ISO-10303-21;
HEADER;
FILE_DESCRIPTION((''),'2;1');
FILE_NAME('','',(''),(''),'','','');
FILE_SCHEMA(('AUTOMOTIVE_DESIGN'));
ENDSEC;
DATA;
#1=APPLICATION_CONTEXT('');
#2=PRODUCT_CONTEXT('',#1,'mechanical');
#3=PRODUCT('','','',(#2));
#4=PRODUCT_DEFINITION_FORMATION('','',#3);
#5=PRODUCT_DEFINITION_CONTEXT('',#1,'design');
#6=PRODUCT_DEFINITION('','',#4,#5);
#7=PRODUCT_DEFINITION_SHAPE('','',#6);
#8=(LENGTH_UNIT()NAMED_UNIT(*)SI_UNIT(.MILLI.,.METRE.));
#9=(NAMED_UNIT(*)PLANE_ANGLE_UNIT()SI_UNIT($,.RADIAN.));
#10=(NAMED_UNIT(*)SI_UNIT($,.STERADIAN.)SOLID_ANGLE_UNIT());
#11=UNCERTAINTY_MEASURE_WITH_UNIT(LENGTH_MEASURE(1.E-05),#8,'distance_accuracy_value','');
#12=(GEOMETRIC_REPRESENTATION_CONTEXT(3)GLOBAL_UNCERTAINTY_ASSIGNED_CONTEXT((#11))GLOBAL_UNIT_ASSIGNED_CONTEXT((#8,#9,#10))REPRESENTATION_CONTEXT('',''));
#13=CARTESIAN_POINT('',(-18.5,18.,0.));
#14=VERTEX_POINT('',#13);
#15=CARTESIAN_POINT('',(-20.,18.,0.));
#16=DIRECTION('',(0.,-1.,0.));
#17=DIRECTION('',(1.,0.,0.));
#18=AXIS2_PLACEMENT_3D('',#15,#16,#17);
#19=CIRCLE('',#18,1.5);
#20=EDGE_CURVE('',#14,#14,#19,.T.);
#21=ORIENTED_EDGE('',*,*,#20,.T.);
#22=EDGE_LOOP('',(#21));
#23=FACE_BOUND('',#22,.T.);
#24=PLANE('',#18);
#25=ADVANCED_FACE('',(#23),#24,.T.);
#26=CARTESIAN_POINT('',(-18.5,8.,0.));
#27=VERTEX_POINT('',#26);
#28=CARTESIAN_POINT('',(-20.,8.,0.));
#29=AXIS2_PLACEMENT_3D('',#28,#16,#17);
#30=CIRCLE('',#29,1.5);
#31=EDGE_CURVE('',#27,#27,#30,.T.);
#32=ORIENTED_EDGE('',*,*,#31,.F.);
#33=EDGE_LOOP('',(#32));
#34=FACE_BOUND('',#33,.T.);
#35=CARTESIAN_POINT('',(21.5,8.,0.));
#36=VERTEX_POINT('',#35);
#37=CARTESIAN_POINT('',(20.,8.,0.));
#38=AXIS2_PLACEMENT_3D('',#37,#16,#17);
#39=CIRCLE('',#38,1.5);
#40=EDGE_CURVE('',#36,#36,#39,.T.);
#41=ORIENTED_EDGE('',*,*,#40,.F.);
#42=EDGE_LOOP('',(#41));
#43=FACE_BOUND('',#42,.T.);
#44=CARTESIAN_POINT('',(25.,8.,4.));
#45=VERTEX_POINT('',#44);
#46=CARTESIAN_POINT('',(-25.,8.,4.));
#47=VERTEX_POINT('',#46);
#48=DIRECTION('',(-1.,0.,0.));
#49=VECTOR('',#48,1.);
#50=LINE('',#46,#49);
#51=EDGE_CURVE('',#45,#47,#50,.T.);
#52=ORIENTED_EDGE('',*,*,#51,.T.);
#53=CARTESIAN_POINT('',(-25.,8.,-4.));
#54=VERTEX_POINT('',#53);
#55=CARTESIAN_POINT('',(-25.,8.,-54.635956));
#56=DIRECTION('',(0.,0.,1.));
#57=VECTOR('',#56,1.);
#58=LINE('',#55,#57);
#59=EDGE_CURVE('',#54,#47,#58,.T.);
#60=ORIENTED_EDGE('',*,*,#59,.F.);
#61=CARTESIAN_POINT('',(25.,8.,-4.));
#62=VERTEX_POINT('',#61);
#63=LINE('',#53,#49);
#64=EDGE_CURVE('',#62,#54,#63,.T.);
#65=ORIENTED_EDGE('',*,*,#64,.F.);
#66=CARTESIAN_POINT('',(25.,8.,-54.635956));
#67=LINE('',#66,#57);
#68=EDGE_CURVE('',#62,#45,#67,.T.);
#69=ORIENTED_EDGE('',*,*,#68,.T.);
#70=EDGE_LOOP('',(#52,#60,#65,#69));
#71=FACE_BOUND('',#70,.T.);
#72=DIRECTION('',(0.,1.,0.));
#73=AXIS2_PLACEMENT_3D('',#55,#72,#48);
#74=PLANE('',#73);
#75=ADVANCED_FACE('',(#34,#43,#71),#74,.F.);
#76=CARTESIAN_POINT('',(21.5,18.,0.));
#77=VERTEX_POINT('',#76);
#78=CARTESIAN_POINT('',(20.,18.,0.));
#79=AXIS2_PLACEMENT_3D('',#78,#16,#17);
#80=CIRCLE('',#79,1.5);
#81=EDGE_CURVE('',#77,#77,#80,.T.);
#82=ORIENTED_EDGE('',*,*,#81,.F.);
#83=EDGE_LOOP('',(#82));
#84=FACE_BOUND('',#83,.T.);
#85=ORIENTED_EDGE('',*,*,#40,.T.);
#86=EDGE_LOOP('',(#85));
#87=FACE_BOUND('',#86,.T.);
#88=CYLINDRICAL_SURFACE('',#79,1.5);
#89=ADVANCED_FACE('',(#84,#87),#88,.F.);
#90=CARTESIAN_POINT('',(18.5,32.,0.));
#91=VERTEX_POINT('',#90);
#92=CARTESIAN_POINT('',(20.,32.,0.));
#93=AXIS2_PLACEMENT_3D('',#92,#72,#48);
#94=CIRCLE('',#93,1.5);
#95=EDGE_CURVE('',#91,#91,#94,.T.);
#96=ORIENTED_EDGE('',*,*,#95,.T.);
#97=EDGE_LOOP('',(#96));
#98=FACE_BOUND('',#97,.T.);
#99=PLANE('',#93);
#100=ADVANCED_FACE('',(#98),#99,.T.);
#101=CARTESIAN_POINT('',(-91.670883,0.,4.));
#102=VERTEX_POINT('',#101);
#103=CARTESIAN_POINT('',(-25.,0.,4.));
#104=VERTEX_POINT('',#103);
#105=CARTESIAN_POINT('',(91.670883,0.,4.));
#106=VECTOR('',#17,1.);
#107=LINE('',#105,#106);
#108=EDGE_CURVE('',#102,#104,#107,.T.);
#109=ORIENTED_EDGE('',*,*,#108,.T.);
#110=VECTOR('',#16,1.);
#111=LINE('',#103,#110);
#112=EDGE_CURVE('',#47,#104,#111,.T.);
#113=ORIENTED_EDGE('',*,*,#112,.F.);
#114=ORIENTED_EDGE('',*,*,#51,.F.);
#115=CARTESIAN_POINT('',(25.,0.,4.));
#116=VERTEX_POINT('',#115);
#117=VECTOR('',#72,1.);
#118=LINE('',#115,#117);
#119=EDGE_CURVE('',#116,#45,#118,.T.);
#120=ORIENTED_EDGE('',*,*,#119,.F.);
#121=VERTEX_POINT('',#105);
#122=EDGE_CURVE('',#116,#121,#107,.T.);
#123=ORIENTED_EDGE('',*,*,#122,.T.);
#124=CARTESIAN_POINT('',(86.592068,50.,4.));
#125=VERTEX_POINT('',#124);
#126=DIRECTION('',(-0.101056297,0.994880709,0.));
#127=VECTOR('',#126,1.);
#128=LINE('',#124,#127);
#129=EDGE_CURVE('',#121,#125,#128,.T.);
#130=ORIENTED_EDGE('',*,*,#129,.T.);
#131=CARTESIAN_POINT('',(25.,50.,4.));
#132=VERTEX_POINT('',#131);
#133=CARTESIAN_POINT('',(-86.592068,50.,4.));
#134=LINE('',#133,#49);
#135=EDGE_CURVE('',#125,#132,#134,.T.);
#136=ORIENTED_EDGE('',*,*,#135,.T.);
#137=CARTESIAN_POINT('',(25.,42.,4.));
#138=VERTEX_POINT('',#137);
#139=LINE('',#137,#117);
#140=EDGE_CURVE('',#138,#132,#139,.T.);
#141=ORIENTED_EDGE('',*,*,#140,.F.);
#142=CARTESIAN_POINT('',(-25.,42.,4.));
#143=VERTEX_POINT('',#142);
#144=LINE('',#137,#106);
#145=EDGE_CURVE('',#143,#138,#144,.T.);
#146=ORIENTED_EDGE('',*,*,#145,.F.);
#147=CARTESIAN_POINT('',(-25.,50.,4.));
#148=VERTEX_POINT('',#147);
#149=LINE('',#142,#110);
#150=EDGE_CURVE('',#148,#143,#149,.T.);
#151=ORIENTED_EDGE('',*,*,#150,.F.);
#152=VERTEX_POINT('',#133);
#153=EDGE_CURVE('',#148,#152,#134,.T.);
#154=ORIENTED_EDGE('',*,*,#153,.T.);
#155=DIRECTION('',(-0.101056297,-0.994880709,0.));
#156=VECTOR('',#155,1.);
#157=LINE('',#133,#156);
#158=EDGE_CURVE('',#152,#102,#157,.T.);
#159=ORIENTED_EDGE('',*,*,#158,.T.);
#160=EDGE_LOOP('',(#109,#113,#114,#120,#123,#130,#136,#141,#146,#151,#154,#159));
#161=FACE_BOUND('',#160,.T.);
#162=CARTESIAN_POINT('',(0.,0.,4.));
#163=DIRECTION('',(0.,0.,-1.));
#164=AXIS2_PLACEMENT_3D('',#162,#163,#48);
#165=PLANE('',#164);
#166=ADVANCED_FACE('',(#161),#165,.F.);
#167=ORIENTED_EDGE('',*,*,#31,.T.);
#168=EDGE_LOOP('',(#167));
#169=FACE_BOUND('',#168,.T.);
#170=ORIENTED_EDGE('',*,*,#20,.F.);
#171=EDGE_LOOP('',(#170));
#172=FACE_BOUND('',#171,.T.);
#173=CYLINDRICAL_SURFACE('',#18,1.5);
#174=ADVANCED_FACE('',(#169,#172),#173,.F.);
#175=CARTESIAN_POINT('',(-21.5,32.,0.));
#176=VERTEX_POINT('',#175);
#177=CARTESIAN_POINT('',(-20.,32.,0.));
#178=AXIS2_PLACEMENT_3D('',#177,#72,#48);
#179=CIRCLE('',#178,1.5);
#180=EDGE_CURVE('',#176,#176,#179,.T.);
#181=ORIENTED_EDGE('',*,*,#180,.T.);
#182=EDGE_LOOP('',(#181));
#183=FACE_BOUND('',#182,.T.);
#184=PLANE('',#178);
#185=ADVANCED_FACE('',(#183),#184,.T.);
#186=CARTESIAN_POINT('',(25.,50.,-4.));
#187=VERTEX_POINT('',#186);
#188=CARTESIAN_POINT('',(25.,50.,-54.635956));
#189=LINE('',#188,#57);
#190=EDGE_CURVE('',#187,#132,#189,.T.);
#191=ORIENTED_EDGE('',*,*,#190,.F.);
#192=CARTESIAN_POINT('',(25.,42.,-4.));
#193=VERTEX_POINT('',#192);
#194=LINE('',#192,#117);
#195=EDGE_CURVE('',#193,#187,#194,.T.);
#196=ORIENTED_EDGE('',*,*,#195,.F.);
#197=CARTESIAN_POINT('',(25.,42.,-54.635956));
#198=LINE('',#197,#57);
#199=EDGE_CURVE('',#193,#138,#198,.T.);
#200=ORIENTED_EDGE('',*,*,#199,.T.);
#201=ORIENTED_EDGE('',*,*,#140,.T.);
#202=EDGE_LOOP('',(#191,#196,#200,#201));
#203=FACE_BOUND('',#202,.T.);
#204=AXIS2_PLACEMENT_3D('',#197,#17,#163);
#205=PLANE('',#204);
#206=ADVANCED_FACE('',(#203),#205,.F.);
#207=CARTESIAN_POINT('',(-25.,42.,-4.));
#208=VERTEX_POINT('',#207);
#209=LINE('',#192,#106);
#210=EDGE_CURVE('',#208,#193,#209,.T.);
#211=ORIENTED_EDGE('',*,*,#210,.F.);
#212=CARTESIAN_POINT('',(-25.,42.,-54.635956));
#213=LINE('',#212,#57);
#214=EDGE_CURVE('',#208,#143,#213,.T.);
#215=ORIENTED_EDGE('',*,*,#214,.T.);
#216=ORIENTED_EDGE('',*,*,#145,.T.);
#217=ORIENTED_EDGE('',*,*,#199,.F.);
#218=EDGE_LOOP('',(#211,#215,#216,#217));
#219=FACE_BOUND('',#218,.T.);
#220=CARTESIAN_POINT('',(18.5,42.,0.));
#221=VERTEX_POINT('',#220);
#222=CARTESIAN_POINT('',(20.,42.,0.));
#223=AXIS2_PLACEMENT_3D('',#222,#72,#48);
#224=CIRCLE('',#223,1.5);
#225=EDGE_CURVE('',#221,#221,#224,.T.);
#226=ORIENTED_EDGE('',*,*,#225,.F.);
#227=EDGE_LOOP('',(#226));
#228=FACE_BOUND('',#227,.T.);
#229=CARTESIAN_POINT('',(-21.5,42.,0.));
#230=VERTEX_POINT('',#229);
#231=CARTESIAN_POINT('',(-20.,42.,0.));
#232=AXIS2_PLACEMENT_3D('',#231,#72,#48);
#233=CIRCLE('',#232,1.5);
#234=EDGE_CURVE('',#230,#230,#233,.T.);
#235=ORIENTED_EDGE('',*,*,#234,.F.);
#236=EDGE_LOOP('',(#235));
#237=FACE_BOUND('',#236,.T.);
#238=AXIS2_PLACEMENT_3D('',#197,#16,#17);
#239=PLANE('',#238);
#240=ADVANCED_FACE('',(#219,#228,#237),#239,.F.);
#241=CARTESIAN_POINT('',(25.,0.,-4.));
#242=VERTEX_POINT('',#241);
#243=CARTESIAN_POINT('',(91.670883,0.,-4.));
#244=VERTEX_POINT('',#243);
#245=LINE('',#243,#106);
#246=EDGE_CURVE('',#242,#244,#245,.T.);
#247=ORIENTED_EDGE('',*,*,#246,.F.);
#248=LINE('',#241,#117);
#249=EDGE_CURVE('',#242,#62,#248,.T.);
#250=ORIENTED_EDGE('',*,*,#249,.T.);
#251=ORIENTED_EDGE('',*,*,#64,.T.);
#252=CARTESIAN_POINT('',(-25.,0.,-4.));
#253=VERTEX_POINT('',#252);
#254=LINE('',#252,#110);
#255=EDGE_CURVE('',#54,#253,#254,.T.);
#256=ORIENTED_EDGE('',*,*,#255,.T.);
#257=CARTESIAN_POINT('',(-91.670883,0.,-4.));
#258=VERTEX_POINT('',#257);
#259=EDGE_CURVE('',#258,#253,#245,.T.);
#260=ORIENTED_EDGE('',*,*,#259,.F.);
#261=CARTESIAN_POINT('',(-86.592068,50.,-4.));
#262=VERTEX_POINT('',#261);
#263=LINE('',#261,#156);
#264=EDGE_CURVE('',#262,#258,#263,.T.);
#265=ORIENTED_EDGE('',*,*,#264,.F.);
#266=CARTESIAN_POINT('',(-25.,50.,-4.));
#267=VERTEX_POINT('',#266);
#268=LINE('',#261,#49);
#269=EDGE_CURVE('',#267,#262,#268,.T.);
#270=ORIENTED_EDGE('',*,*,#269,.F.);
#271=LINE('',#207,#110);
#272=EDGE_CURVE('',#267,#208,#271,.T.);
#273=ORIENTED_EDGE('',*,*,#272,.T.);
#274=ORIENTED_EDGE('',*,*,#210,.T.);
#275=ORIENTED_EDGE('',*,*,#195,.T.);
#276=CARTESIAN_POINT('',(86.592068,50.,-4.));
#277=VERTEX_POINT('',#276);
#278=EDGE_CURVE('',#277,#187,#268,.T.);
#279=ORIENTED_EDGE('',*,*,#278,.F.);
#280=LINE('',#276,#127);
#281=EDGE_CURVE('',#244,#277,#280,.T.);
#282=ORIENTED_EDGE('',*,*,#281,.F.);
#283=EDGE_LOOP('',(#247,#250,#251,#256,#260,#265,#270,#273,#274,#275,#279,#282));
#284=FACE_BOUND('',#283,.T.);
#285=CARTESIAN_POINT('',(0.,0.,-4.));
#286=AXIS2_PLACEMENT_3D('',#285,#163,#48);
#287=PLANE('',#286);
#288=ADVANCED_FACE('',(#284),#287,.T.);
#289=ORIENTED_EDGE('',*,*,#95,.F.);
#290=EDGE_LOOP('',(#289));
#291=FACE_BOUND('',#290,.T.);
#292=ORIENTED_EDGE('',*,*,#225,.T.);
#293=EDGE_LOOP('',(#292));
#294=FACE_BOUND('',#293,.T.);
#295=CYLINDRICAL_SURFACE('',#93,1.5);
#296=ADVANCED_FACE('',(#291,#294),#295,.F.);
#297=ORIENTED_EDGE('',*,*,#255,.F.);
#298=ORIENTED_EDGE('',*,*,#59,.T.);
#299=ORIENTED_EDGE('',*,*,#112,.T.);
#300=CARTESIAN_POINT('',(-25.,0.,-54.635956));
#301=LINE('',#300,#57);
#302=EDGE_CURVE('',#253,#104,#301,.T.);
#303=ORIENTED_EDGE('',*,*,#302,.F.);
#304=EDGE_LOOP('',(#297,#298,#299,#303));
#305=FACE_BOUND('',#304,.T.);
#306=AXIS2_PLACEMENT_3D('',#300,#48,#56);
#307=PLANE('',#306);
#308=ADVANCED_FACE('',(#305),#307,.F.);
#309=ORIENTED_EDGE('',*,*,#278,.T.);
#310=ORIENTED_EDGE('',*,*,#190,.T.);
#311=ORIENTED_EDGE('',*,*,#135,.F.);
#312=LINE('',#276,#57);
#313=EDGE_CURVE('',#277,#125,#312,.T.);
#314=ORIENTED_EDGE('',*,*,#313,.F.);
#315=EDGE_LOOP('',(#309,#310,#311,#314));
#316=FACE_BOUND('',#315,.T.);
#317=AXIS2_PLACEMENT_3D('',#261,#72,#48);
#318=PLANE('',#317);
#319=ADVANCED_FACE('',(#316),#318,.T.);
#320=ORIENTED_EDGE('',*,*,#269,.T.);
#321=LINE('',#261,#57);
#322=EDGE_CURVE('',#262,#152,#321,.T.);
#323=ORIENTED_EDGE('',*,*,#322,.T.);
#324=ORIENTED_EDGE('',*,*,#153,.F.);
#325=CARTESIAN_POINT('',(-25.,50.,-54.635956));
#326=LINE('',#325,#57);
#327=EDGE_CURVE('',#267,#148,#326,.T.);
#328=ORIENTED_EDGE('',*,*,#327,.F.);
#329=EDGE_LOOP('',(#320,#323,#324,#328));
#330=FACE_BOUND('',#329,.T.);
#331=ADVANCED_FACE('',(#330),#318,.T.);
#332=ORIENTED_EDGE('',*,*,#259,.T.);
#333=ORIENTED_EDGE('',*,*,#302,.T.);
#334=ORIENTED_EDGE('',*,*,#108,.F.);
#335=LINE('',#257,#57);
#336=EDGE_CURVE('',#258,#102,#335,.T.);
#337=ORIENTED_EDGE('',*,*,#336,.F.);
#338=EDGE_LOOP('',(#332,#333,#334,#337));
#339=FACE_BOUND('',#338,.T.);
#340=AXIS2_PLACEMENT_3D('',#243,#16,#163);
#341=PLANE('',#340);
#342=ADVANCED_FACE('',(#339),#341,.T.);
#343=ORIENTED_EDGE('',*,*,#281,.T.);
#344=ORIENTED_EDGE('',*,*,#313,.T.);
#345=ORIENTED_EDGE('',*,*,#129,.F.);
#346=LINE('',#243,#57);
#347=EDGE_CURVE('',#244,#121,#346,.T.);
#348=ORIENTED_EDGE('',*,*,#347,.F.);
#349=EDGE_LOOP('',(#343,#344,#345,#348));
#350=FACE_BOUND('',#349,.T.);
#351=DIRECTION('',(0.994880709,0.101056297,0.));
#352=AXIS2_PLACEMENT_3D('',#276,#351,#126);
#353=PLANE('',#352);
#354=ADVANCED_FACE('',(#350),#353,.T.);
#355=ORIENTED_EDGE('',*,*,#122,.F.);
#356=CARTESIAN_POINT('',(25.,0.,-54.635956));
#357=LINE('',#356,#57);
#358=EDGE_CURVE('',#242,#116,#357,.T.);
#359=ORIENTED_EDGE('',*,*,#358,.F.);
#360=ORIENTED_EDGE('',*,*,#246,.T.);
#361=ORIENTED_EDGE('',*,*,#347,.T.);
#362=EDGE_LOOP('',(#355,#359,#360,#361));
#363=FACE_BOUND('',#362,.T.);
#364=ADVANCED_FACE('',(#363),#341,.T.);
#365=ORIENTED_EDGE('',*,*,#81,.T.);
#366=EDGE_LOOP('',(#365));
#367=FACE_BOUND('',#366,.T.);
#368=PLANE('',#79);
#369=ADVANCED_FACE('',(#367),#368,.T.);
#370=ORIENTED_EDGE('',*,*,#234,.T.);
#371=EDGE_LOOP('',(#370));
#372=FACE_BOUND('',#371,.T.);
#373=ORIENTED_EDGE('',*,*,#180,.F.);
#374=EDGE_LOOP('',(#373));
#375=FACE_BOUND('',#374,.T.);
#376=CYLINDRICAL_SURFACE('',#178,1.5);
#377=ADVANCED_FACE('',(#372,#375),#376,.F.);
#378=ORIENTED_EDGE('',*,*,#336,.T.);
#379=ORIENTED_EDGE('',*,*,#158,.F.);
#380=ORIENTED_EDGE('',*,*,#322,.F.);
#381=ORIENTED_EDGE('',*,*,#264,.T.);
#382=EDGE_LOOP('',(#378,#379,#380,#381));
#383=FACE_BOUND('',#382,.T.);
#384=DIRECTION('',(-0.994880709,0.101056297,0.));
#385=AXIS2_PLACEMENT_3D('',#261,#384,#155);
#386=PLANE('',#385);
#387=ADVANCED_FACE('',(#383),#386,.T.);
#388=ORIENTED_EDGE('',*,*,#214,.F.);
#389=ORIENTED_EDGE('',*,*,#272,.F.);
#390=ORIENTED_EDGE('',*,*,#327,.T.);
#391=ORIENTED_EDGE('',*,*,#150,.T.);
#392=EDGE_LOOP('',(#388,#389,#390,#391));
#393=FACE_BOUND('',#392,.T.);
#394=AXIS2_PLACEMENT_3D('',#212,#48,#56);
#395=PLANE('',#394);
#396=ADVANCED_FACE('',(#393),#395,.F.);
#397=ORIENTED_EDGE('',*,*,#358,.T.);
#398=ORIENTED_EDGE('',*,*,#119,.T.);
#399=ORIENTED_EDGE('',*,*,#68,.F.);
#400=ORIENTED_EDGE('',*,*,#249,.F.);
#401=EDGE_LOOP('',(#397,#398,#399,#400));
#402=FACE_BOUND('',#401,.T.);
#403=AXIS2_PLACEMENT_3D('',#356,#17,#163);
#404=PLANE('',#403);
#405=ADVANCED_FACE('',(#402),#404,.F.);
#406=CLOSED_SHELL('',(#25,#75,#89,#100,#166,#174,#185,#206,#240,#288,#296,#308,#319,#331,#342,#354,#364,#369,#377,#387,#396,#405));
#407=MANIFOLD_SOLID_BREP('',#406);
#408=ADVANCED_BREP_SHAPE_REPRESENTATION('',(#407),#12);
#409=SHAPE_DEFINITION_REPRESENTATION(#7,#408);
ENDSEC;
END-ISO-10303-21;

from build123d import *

# Parameters (mm, degrees)
SIDE_BOSS_EXTRUDE1_DEPTH                 = 4
SIDE_BOSS_EXTRUDE1_DEPTH_BACK            = 4
SKETCH3_W                                = 50
SKETCH3_H                                = 8
SOCKET_TOP_AND_BOTTOM_CUT_EXTRUDE1_DEPTH = 8
SKETCH4_R                                = 1.5
MOUNTING_HOLES_TOP_CUT_EXTRUDE2_DEPTH    = 10
MOUNTING_START                           = -10
SKETCH5_R                                = 1.5
MOUNTING_HOLES_BOTTOM_CUT_EXTRUDE3_DEPTH = 10


with BuildPart() as part:
    # Sketch2 → Side Boss-Extrude1 (new, two sides: drawn at the far end of the back side and taken through both)
    with BuildSketch(Plane.XY.offset(-SIDE_BOSS_EXTRUDE1_DEPTH_BACK)):
        Polygon((-86.592068141, 50), (86.592068141, 50), (91.670882932, 0), (-91.670882932, 0), align=None)
    extrude(amount=SIDE_BOSS_EXTRUDE1_DEPTH + SIDE_BOSS_EXTRUDE1_DEPTH_BACK)

    # Sketch3 → Socket Top And Bottom Cut-Extrude1 (cut)
    with BuildSketch(Plane.XY.offset(4)):
        with Locations((0, 4)):
            Rectangle(SKETCH3_W, SKETCH3_H)
        Polygon((25, 42), (0, 42), (-25, 42), (-25, 50), (25, 50), align=None)
    extrude(amount=-SOCKET_TOP_AND_BOTTOM_CUT_EXTRUDE1_DEPTH, mode=Mode.SUBTRACT)

    # Sketch4 → Mounting Holes Top Cut-Extrude2 (cut)
    with BuildSketch(Plane(origin=(0, 42, 0), x_dir=(1, 0, 0), z_dir=(0, 1, 0))):
        with Locations(Location((20, 0, 0), (0, 0, 180))):
            Circle(SKETCH4_R)
        with Locations(Location((-20, 0, 0), (0, 0, 180))):
            Circle(SKETCH4_R)
    extrude(amount=-MOUNTING_HOLES_TOP_CUT_EXTRUDE2_DEPTH, mode=Mode.SUBTRACT)

    # Sketch5 → Mounting Holes Bottom Cut-Extrude3 (cut)
    with BuildSketch(Plane.XZ.offset(-8).offset(MOUNTING_START)):
        with Locations(Location((20, 0, 0), (0, 0, 180))):
            Circle(SKETCH5_R)
        with Locations(Location((-20, 0, 0), (0, 0, 180))):
            Circle(SKETCH5_R)
    extrude(amount=MOUNTING_HOLES_BOTTOM_CUT_EXTRUDE3_DEPTH, mode=Mode.SUBTRACT)


solid = part.part
